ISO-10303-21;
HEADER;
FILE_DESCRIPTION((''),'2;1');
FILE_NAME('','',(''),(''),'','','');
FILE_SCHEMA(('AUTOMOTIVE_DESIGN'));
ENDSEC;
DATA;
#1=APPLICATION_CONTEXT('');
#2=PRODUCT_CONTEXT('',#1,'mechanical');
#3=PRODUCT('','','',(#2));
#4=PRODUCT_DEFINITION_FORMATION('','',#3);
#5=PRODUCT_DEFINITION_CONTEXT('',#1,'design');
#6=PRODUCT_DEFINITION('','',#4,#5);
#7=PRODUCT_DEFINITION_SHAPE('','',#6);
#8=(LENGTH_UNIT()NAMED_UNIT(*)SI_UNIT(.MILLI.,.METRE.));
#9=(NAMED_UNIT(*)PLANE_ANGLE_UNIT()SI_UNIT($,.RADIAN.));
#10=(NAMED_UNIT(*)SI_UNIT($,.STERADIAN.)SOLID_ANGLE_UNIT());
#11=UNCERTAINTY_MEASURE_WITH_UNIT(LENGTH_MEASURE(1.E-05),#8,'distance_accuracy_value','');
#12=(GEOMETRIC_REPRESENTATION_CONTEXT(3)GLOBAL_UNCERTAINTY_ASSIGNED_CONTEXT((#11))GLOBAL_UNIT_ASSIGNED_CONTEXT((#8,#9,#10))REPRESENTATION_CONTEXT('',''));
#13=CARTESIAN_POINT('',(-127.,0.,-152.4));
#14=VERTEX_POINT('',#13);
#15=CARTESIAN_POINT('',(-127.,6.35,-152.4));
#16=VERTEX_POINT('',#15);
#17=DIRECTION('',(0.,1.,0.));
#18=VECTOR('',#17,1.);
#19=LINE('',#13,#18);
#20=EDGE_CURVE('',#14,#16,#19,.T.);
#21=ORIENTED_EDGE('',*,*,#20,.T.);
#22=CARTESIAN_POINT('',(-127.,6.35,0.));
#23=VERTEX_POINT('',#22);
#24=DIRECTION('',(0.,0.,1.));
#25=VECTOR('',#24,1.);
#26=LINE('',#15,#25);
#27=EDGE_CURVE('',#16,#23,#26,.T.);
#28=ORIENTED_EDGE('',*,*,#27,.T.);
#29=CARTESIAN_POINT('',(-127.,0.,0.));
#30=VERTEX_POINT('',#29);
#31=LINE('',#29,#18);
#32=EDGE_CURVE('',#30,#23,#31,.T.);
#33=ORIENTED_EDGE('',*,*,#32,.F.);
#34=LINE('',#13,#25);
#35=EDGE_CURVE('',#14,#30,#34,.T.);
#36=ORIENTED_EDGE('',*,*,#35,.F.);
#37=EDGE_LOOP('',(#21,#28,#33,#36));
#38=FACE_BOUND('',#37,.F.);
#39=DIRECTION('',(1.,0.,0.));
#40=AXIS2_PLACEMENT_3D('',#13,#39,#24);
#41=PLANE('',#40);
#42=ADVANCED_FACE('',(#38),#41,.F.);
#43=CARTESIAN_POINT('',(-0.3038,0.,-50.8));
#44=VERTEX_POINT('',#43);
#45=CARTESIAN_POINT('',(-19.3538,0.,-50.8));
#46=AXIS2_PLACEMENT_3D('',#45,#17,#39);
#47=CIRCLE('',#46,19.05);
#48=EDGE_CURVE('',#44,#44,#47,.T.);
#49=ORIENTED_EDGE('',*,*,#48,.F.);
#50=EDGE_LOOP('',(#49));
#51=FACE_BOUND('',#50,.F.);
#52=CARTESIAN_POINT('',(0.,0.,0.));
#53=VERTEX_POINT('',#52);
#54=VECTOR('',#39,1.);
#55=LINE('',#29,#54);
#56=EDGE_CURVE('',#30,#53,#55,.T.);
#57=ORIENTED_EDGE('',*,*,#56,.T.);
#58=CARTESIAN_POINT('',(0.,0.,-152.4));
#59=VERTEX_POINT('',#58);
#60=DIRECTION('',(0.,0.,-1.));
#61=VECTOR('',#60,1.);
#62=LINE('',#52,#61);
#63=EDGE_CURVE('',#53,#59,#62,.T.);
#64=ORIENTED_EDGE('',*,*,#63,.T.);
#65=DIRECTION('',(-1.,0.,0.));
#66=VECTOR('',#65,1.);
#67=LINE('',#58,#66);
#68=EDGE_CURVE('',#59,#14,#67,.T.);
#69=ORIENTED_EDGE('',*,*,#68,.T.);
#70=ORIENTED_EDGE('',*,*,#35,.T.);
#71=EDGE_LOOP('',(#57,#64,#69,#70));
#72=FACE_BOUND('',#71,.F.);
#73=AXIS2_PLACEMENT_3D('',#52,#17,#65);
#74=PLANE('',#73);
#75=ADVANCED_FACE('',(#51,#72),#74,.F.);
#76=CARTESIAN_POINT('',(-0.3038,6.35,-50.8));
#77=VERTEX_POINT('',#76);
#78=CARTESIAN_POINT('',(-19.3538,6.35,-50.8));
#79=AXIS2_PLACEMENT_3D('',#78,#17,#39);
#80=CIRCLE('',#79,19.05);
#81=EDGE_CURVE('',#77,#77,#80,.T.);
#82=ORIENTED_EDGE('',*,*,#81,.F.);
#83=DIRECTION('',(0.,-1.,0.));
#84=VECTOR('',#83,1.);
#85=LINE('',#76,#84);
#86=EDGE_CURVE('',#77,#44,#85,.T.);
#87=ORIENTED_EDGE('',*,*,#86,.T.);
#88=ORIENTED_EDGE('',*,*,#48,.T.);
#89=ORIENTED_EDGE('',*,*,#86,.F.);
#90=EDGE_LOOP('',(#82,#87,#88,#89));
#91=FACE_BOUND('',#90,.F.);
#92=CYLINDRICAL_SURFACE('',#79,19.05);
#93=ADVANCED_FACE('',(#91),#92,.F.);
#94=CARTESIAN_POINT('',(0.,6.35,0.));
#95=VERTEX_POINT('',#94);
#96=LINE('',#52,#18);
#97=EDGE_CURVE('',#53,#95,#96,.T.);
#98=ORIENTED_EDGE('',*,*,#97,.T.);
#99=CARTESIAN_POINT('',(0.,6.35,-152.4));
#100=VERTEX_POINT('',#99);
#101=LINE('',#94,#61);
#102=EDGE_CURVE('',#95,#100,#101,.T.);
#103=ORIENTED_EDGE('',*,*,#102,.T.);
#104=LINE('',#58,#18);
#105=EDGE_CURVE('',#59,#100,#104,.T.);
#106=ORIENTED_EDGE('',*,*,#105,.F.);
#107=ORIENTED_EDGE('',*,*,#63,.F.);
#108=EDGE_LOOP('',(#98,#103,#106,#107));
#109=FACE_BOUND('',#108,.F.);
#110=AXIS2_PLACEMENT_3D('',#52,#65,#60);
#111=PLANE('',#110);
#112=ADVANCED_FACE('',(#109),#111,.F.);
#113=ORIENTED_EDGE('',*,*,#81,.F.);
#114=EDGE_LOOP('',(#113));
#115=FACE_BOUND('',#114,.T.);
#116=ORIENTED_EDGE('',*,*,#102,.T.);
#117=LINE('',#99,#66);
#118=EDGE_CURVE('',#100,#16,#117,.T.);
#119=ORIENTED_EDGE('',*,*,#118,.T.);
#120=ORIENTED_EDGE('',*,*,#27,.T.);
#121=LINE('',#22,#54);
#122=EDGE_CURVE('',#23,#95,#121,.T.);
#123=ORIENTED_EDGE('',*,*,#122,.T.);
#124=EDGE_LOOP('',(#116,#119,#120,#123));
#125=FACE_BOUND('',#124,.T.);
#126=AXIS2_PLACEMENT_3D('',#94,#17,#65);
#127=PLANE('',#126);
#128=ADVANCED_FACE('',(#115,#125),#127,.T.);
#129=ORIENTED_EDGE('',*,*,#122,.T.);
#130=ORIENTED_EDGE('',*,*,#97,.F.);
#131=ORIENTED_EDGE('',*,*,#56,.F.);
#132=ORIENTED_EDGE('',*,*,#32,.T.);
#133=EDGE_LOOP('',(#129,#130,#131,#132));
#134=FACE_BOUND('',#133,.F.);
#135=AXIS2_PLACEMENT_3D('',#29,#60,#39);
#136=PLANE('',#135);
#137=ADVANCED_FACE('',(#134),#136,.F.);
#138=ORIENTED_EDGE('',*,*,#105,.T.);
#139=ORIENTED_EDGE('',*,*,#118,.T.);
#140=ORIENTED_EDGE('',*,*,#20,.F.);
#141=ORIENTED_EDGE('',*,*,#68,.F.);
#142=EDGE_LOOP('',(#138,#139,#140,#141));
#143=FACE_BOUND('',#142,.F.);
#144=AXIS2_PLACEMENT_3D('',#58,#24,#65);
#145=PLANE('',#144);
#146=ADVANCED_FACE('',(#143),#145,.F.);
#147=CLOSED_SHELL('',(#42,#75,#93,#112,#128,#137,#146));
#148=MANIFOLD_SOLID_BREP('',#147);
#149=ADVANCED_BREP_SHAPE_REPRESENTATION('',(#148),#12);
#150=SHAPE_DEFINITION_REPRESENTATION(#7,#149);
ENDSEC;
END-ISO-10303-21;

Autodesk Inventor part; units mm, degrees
ref_plane "YZ Plane" through (0, 0, 0) normal (1, 0, 0) x (0, 1, 0)
ref_plane "XZ Plane" through (0, 0, 0) normal (0, 1, 0) x (-1, 0, 0)
ref_plane "XY Plane" through (0, 0, 0) normal (0, 0, 1) x (1, 0, 0)
sketch "Sketch1" plane through (0, 0, 0) normal (0, 1, 0) x (-1, 0, 0)
  line L0 (0, 0) -> (0, -152.4)
  line L1 (0, -152.4) -> (127, -152.4)
  line L2 (127, -152.4) -> (127, 0)
  line L3 (127, 0) -> (0, 0)
  dimension "d0" = 152.4
  dimension "d1" = 127
extrude "Extrusion1" add sketch "Sketch1" along normal blind 6.35
sketch "Sketch2" plane through (0, 6.35, 0) normal (0, 1, 0) x (1, 0, 0)
  circle A0 centre (-19.3538, 50.8) radius 19.05
  point P0 (0, 0)
  dimension "d5" = 38.1
extrude "Extrusion2" cut sketch "Sketch2" against normal blind 6.35
properties part number "Side_chasis"
